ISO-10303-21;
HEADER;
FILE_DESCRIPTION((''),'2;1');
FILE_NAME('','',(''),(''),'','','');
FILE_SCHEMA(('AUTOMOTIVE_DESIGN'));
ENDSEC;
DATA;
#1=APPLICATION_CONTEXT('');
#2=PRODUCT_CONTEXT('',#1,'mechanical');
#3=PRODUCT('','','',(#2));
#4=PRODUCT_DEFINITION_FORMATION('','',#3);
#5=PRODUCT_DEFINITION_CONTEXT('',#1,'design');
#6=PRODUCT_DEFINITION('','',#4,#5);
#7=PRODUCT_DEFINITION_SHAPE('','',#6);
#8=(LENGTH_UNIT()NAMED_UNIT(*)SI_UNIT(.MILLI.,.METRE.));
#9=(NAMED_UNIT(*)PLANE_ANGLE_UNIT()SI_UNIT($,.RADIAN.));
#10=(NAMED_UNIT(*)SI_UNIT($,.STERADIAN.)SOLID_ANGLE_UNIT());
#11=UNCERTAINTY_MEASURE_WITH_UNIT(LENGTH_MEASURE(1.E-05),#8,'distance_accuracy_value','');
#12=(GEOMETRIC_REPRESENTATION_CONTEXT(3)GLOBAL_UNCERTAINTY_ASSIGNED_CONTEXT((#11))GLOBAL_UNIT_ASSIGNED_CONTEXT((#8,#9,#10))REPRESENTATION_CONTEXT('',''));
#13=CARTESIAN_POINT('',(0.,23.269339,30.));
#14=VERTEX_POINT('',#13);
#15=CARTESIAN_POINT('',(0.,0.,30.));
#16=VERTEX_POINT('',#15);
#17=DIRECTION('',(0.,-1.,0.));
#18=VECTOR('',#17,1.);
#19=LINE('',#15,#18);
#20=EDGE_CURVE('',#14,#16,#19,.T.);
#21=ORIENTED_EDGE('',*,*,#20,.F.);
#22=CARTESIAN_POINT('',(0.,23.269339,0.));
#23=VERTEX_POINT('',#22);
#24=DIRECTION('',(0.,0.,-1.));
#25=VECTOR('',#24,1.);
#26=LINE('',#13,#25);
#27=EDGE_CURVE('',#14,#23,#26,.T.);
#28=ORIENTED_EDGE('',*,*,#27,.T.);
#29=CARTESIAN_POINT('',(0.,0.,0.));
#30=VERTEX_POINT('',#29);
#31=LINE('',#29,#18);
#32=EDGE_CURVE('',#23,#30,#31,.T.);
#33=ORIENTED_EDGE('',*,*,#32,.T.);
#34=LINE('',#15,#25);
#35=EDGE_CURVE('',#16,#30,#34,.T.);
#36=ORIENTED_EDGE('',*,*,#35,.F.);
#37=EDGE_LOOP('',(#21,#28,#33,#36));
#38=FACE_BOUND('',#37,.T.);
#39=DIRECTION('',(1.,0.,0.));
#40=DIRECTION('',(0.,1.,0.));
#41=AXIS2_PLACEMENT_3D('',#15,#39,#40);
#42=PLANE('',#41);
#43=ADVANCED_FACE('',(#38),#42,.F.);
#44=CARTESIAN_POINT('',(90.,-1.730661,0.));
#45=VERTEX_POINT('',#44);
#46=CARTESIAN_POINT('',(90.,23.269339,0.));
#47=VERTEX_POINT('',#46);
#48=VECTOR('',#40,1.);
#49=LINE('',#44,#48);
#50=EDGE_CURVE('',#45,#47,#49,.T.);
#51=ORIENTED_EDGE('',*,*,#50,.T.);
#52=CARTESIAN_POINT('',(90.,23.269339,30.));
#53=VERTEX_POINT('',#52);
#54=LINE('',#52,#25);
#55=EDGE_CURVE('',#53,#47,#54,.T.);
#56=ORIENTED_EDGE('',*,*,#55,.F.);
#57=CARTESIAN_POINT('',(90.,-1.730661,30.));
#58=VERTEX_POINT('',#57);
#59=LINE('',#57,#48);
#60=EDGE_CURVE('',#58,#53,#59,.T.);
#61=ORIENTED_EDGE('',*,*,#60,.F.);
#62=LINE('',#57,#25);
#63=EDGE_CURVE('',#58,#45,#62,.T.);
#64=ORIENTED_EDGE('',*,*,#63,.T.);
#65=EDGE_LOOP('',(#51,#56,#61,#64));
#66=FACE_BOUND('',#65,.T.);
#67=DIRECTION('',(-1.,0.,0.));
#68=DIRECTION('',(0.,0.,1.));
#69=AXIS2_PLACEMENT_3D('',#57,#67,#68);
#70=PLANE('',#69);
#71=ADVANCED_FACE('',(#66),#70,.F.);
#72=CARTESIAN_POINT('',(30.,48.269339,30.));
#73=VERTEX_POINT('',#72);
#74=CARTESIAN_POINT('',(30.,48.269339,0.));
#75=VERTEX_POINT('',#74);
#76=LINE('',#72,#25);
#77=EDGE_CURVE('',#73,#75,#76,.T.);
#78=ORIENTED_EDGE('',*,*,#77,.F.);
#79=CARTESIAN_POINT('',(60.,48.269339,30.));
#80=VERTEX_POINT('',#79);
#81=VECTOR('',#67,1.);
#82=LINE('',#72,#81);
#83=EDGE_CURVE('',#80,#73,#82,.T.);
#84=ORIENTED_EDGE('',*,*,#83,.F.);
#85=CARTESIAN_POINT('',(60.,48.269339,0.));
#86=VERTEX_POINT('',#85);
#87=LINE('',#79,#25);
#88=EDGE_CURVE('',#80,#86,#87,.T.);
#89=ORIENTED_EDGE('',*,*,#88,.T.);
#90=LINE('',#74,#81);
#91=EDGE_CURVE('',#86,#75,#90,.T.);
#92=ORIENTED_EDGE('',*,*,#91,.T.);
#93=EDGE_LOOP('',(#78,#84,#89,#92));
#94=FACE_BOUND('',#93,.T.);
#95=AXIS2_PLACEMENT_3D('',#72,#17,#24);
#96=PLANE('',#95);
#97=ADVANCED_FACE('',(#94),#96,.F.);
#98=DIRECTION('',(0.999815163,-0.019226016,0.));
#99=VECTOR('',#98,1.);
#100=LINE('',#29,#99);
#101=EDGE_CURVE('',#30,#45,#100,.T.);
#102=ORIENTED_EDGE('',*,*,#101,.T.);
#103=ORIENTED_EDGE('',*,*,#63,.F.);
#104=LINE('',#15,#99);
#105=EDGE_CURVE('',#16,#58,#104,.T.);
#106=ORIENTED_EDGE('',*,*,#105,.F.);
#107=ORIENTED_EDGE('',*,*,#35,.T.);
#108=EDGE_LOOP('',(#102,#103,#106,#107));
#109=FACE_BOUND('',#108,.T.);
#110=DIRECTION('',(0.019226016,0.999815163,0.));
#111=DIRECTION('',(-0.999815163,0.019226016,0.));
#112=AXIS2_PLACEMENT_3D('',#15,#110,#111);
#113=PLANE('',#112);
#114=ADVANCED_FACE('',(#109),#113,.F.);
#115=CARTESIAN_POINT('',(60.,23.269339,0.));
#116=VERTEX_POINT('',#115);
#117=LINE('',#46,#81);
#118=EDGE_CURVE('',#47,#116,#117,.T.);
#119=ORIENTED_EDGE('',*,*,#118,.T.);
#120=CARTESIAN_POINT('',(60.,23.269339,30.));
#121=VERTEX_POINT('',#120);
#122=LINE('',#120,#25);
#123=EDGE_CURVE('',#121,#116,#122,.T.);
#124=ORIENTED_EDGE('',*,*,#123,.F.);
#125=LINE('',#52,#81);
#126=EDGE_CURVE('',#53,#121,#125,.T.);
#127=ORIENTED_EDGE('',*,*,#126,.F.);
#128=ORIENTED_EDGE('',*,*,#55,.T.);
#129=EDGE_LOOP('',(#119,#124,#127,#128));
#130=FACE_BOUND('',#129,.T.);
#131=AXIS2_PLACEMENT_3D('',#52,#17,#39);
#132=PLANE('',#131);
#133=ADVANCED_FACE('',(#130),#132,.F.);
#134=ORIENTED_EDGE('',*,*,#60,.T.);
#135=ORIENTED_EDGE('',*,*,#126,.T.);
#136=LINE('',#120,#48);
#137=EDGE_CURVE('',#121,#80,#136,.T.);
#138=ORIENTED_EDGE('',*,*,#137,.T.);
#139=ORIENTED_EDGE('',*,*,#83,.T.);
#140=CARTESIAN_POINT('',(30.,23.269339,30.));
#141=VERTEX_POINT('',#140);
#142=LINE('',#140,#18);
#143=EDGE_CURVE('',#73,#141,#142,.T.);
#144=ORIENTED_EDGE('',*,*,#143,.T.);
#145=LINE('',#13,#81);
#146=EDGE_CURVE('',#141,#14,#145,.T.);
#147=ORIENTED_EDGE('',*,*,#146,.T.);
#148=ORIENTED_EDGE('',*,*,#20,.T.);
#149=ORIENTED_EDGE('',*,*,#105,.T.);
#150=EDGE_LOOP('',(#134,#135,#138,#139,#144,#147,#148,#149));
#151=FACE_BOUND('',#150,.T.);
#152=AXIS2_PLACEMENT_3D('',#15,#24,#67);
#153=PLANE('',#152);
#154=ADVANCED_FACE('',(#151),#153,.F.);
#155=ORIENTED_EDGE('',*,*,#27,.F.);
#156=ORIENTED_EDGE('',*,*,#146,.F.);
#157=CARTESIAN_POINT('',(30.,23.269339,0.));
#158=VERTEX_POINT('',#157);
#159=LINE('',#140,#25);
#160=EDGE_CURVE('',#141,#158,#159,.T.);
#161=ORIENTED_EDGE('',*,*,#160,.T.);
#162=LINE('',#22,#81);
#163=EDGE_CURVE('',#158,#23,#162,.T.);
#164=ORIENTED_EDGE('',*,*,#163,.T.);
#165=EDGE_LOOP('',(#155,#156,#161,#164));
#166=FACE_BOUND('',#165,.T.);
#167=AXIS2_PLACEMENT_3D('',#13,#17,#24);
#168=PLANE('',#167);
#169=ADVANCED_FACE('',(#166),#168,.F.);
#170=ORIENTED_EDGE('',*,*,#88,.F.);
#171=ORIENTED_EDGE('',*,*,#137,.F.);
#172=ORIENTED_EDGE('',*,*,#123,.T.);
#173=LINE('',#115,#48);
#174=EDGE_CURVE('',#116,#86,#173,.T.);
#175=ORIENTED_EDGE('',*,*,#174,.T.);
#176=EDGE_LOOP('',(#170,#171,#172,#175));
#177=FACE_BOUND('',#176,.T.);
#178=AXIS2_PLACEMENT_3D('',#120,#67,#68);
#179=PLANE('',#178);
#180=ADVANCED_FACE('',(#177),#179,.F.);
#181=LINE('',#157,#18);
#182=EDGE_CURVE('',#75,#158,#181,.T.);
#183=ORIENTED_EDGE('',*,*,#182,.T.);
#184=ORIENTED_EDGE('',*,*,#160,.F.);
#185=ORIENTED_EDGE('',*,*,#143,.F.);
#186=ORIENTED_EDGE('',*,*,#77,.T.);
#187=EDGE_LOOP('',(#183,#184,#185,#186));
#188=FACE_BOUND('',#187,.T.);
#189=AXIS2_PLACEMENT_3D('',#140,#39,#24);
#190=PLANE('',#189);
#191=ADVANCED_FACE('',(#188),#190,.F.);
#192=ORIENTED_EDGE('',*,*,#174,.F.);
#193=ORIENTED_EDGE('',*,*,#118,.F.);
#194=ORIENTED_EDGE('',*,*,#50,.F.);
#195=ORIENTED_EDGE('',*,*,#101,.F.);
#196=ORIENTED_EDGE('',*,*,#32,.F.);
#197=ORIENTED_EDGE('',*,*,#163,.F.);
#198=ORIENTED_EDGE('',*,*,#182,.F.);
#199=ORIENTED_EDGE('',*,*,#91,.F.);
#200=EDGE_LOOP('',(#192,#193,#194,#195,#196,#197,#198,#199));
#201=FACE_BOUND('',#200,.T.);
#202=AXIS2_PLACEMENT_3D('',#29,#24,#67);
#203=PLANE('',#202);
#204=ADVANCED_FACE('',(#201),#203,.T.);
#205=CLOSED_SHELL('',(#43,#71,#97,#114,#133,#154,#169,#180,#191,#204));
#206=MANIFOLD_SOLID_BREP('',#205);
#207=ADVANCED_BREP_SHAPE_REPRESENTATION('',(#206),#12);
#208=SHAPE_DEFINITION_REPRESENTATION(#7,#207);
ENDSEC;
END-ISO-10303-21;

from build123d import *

# Parameters (mm, degrees)
BOSS_EXTRUDE1_DEPTH = 30


with BuildPart() as part:
    # Sketch1 → Boss-Extrude1 (new body)
    with BuildSketch(Plane.XY):
        Polygon((0, 0), (90, -1.730661323), (90, 23.269338677), (60, 23.269338677), (60, 48.269338677), (30, 48.269338677), (30, 23.269338677), (0, 23.269338677), align=None)
    extrude(amount=BOSS_EXTRUDE1_DEPTH)


solid = part.part
